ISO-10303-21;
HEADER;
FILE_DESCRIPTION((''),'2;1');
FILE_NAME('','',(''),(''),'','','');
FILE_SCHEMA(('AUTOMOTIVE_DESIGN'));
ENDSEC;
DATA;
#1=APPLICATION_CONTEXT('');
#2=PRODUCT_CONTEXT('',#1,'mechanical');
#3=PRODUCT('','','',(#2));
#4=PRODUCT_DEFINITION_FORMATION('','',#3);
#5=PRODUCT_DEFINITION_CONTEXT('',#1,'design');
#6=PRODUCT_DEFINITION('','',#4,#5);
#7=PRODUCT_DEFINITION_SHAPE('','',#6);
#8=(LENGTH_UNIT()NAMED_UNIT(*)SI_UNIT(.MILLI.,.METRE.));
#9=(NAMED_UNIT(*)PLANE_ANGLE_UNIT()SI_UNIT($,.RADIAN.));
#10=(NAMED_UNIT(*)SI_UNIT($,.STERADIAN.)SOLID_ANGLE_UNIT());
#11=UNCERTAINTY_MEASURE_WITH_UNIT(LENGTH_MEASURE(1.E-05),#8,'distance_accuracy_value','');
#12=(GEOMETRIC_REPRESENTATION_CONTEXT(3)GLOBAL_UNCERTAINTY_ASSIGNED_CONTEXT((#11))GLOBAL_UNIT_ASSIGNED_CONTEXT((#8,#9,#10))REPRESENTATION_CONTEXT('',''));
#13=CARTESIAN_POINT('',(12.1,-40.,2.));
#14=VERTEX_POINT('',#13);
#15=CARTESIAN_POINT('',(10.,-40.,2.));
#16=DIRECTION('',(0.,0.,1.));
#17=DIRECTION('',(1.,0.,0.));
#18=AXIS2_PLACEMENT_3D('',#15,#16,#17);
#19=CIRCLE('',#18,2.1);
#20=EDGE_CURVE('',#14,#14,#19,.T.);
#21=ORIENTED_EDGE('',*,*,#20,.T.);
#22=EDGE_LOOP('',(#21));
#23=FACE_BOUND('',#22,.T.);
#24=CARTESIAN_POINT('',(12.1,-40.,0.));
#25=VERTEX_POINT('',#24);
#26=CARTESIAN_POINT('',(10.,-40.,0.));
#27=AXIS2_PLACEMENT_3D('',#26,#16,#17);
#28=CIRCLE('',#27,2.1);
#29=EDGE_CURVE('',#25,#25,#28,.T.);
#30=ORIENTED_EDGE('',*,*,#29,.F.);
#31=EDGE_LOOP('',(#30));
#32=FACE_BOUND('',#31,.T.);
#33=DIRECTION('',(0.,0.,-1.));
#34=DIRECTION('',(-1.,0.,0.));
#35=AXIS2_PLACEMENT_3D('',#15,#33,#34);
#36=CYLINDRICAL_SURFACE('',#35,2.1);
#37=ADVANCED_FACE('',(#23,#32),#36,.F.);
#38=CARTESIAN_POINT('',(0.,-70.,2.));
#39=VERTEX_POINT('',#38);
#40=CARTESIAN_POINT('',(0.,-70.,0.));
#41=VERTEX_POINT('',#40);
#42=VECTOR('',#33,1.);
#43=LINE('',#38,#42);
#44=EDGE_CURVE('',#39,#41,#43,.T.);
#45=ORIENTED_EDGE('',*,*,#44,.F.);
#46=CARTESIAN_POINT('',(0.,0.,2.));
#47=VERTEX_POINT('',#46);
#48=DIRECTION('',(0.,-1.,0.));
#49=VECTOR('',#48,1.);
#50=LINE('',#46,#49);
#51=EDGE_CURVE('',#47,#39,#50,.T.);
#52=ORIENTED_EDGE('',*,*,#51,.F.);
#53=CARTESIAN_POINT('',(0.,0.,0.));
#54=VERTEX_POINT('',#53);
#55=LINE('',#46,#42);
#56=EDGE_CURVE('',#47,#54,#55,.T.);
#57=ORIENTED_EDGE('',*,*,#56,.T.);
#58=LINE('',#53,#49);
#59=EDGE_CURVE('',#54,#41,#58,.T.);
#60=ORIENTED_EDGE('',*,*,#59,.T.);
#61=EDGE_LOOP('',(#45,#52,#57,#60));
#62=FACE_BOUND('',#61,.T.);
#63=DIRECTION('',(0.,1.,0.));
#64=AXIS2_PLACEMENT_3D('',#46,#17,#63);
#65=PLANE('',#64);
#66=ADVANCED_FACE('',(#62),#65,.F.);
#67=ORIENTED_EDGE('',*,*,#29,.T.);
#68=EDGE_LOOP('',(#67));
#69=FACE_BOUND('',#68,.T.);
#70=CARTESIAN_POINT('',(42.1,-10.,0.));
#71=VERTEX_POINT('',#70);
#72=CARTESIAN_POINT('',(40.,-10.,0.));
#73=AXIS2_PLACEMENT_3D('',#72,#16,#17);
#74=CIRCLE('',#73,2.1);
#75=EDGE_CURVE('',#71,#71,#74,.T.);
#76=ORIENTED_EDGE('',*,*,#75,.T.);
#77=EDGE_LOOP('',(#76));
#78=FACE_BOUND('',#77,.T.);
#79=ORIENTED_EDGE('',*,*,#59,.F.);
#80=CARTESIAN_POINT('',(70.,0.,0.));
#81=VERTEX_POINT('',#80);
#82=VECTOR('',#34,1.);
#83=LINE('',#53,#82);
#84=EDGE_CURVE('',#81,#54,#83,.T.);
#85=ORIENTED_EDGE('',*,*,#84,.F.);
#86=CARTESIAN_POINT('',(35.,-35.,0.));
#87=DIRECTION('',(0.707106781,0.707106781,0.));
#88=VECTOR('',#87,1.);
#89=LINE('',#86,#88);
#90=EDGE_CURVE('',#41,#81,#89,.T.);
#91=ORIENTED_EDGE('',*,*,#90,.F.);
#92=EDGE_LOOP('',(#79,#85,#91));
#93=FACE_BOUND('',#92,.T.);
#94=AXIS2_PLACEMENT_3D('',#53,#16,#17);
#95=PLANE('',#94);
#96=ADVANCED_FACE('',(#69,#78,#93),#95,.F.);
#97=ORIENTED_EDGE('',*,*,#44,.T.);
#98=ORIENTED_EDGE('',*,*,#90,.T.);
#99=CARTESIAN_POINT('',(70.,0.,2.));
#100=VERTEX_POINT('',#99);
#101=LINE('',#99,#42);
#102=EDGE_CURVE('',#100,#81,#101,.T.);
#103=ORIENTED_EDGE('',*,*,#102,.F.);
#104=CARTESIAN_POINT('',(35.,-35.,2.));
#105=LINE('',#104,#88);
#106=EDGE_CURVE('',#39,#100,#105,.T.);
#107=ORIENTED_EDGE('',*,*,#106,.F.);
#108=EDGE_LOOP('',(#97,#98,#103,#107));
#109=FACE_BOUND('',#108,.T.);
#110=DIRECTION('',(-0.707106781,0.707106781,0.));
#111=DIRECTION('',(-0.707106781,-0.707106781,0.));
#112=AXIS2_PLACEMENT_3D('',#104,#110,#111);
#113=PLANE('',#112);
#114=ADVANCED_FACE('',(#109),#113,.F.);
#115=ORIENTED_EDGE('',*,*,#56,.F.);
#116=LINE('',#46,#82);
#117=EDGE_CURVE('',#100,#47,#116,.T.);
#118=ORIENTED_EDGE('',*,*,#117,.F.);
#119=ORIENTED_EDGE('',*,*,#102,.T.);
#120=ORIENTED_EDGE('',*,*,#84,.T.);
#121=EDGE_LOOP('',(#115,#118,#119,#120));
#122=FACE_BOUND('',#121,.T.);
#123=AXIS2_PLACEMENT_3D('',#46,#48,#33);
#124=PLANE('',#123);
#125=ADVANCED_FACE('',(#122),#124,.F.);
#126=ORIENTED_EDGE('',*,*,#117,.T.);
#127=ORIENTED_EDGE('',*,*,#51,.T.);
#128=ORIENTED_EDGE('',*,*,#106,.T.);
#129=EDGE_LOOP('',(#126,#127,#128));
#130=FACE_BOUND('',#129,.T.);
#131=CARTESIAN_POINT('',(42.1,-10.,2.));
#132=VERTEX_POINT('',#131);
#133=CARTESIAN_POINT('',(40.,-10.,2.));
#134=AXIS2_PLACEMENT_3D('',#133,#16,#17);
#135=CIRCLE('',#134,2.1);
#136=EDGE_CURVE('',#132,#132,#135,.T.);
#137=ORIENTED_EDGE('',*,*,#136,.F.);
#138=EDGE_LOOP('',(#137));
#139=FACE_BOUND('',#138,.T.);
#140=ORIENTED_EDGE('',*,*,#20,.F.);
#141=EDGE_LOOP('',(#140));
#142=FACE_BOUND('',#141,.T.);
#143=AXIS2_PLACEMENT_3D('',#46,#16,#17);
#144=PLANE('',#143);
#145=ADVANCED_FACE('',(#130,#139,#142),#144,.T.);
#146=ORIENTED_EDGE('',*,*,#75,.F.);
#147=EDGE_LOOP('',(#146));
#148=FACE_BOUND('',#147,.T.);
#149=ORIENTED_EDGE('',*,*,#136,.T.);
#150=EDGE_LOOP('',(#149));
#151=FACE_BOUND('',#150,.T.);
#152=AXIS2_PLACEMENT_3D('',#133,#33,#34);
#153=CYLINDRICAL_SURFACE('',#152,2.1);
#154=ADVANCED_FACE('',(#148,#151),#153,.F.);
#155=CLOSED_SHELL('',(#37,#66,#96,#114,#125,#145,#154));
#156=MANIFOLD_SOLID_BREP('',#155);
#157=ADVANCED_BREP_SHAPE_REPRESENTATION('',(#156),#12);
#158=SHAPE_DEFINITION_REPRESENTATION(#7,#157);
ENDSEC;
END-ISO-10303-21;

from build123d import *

# Parameters (mm, degrees)
SKETCH_1_R      = 2.1
EXTRUDE_1_DEPTH = 2


with BuildPart() as part:
    # ｽｹｯﾁ1 → ﾎﾞｽ - 押し出し1 (new body)
    with BuildSketch(Plane.XY):
        Polygon((0, 0), (0, -70), (70, 0), align=None)
        with Locations((10, -40)):
            Circle(SKETCH_1_R, mode=Mode.SUBTRACT)
        with Locations((40, -10)):
            Circle(SKETCH_1_R, mode=Mode.SUBTRACT)
    extrude(amount=EXTRUDE_1_DEPTH)


solid = part.part
